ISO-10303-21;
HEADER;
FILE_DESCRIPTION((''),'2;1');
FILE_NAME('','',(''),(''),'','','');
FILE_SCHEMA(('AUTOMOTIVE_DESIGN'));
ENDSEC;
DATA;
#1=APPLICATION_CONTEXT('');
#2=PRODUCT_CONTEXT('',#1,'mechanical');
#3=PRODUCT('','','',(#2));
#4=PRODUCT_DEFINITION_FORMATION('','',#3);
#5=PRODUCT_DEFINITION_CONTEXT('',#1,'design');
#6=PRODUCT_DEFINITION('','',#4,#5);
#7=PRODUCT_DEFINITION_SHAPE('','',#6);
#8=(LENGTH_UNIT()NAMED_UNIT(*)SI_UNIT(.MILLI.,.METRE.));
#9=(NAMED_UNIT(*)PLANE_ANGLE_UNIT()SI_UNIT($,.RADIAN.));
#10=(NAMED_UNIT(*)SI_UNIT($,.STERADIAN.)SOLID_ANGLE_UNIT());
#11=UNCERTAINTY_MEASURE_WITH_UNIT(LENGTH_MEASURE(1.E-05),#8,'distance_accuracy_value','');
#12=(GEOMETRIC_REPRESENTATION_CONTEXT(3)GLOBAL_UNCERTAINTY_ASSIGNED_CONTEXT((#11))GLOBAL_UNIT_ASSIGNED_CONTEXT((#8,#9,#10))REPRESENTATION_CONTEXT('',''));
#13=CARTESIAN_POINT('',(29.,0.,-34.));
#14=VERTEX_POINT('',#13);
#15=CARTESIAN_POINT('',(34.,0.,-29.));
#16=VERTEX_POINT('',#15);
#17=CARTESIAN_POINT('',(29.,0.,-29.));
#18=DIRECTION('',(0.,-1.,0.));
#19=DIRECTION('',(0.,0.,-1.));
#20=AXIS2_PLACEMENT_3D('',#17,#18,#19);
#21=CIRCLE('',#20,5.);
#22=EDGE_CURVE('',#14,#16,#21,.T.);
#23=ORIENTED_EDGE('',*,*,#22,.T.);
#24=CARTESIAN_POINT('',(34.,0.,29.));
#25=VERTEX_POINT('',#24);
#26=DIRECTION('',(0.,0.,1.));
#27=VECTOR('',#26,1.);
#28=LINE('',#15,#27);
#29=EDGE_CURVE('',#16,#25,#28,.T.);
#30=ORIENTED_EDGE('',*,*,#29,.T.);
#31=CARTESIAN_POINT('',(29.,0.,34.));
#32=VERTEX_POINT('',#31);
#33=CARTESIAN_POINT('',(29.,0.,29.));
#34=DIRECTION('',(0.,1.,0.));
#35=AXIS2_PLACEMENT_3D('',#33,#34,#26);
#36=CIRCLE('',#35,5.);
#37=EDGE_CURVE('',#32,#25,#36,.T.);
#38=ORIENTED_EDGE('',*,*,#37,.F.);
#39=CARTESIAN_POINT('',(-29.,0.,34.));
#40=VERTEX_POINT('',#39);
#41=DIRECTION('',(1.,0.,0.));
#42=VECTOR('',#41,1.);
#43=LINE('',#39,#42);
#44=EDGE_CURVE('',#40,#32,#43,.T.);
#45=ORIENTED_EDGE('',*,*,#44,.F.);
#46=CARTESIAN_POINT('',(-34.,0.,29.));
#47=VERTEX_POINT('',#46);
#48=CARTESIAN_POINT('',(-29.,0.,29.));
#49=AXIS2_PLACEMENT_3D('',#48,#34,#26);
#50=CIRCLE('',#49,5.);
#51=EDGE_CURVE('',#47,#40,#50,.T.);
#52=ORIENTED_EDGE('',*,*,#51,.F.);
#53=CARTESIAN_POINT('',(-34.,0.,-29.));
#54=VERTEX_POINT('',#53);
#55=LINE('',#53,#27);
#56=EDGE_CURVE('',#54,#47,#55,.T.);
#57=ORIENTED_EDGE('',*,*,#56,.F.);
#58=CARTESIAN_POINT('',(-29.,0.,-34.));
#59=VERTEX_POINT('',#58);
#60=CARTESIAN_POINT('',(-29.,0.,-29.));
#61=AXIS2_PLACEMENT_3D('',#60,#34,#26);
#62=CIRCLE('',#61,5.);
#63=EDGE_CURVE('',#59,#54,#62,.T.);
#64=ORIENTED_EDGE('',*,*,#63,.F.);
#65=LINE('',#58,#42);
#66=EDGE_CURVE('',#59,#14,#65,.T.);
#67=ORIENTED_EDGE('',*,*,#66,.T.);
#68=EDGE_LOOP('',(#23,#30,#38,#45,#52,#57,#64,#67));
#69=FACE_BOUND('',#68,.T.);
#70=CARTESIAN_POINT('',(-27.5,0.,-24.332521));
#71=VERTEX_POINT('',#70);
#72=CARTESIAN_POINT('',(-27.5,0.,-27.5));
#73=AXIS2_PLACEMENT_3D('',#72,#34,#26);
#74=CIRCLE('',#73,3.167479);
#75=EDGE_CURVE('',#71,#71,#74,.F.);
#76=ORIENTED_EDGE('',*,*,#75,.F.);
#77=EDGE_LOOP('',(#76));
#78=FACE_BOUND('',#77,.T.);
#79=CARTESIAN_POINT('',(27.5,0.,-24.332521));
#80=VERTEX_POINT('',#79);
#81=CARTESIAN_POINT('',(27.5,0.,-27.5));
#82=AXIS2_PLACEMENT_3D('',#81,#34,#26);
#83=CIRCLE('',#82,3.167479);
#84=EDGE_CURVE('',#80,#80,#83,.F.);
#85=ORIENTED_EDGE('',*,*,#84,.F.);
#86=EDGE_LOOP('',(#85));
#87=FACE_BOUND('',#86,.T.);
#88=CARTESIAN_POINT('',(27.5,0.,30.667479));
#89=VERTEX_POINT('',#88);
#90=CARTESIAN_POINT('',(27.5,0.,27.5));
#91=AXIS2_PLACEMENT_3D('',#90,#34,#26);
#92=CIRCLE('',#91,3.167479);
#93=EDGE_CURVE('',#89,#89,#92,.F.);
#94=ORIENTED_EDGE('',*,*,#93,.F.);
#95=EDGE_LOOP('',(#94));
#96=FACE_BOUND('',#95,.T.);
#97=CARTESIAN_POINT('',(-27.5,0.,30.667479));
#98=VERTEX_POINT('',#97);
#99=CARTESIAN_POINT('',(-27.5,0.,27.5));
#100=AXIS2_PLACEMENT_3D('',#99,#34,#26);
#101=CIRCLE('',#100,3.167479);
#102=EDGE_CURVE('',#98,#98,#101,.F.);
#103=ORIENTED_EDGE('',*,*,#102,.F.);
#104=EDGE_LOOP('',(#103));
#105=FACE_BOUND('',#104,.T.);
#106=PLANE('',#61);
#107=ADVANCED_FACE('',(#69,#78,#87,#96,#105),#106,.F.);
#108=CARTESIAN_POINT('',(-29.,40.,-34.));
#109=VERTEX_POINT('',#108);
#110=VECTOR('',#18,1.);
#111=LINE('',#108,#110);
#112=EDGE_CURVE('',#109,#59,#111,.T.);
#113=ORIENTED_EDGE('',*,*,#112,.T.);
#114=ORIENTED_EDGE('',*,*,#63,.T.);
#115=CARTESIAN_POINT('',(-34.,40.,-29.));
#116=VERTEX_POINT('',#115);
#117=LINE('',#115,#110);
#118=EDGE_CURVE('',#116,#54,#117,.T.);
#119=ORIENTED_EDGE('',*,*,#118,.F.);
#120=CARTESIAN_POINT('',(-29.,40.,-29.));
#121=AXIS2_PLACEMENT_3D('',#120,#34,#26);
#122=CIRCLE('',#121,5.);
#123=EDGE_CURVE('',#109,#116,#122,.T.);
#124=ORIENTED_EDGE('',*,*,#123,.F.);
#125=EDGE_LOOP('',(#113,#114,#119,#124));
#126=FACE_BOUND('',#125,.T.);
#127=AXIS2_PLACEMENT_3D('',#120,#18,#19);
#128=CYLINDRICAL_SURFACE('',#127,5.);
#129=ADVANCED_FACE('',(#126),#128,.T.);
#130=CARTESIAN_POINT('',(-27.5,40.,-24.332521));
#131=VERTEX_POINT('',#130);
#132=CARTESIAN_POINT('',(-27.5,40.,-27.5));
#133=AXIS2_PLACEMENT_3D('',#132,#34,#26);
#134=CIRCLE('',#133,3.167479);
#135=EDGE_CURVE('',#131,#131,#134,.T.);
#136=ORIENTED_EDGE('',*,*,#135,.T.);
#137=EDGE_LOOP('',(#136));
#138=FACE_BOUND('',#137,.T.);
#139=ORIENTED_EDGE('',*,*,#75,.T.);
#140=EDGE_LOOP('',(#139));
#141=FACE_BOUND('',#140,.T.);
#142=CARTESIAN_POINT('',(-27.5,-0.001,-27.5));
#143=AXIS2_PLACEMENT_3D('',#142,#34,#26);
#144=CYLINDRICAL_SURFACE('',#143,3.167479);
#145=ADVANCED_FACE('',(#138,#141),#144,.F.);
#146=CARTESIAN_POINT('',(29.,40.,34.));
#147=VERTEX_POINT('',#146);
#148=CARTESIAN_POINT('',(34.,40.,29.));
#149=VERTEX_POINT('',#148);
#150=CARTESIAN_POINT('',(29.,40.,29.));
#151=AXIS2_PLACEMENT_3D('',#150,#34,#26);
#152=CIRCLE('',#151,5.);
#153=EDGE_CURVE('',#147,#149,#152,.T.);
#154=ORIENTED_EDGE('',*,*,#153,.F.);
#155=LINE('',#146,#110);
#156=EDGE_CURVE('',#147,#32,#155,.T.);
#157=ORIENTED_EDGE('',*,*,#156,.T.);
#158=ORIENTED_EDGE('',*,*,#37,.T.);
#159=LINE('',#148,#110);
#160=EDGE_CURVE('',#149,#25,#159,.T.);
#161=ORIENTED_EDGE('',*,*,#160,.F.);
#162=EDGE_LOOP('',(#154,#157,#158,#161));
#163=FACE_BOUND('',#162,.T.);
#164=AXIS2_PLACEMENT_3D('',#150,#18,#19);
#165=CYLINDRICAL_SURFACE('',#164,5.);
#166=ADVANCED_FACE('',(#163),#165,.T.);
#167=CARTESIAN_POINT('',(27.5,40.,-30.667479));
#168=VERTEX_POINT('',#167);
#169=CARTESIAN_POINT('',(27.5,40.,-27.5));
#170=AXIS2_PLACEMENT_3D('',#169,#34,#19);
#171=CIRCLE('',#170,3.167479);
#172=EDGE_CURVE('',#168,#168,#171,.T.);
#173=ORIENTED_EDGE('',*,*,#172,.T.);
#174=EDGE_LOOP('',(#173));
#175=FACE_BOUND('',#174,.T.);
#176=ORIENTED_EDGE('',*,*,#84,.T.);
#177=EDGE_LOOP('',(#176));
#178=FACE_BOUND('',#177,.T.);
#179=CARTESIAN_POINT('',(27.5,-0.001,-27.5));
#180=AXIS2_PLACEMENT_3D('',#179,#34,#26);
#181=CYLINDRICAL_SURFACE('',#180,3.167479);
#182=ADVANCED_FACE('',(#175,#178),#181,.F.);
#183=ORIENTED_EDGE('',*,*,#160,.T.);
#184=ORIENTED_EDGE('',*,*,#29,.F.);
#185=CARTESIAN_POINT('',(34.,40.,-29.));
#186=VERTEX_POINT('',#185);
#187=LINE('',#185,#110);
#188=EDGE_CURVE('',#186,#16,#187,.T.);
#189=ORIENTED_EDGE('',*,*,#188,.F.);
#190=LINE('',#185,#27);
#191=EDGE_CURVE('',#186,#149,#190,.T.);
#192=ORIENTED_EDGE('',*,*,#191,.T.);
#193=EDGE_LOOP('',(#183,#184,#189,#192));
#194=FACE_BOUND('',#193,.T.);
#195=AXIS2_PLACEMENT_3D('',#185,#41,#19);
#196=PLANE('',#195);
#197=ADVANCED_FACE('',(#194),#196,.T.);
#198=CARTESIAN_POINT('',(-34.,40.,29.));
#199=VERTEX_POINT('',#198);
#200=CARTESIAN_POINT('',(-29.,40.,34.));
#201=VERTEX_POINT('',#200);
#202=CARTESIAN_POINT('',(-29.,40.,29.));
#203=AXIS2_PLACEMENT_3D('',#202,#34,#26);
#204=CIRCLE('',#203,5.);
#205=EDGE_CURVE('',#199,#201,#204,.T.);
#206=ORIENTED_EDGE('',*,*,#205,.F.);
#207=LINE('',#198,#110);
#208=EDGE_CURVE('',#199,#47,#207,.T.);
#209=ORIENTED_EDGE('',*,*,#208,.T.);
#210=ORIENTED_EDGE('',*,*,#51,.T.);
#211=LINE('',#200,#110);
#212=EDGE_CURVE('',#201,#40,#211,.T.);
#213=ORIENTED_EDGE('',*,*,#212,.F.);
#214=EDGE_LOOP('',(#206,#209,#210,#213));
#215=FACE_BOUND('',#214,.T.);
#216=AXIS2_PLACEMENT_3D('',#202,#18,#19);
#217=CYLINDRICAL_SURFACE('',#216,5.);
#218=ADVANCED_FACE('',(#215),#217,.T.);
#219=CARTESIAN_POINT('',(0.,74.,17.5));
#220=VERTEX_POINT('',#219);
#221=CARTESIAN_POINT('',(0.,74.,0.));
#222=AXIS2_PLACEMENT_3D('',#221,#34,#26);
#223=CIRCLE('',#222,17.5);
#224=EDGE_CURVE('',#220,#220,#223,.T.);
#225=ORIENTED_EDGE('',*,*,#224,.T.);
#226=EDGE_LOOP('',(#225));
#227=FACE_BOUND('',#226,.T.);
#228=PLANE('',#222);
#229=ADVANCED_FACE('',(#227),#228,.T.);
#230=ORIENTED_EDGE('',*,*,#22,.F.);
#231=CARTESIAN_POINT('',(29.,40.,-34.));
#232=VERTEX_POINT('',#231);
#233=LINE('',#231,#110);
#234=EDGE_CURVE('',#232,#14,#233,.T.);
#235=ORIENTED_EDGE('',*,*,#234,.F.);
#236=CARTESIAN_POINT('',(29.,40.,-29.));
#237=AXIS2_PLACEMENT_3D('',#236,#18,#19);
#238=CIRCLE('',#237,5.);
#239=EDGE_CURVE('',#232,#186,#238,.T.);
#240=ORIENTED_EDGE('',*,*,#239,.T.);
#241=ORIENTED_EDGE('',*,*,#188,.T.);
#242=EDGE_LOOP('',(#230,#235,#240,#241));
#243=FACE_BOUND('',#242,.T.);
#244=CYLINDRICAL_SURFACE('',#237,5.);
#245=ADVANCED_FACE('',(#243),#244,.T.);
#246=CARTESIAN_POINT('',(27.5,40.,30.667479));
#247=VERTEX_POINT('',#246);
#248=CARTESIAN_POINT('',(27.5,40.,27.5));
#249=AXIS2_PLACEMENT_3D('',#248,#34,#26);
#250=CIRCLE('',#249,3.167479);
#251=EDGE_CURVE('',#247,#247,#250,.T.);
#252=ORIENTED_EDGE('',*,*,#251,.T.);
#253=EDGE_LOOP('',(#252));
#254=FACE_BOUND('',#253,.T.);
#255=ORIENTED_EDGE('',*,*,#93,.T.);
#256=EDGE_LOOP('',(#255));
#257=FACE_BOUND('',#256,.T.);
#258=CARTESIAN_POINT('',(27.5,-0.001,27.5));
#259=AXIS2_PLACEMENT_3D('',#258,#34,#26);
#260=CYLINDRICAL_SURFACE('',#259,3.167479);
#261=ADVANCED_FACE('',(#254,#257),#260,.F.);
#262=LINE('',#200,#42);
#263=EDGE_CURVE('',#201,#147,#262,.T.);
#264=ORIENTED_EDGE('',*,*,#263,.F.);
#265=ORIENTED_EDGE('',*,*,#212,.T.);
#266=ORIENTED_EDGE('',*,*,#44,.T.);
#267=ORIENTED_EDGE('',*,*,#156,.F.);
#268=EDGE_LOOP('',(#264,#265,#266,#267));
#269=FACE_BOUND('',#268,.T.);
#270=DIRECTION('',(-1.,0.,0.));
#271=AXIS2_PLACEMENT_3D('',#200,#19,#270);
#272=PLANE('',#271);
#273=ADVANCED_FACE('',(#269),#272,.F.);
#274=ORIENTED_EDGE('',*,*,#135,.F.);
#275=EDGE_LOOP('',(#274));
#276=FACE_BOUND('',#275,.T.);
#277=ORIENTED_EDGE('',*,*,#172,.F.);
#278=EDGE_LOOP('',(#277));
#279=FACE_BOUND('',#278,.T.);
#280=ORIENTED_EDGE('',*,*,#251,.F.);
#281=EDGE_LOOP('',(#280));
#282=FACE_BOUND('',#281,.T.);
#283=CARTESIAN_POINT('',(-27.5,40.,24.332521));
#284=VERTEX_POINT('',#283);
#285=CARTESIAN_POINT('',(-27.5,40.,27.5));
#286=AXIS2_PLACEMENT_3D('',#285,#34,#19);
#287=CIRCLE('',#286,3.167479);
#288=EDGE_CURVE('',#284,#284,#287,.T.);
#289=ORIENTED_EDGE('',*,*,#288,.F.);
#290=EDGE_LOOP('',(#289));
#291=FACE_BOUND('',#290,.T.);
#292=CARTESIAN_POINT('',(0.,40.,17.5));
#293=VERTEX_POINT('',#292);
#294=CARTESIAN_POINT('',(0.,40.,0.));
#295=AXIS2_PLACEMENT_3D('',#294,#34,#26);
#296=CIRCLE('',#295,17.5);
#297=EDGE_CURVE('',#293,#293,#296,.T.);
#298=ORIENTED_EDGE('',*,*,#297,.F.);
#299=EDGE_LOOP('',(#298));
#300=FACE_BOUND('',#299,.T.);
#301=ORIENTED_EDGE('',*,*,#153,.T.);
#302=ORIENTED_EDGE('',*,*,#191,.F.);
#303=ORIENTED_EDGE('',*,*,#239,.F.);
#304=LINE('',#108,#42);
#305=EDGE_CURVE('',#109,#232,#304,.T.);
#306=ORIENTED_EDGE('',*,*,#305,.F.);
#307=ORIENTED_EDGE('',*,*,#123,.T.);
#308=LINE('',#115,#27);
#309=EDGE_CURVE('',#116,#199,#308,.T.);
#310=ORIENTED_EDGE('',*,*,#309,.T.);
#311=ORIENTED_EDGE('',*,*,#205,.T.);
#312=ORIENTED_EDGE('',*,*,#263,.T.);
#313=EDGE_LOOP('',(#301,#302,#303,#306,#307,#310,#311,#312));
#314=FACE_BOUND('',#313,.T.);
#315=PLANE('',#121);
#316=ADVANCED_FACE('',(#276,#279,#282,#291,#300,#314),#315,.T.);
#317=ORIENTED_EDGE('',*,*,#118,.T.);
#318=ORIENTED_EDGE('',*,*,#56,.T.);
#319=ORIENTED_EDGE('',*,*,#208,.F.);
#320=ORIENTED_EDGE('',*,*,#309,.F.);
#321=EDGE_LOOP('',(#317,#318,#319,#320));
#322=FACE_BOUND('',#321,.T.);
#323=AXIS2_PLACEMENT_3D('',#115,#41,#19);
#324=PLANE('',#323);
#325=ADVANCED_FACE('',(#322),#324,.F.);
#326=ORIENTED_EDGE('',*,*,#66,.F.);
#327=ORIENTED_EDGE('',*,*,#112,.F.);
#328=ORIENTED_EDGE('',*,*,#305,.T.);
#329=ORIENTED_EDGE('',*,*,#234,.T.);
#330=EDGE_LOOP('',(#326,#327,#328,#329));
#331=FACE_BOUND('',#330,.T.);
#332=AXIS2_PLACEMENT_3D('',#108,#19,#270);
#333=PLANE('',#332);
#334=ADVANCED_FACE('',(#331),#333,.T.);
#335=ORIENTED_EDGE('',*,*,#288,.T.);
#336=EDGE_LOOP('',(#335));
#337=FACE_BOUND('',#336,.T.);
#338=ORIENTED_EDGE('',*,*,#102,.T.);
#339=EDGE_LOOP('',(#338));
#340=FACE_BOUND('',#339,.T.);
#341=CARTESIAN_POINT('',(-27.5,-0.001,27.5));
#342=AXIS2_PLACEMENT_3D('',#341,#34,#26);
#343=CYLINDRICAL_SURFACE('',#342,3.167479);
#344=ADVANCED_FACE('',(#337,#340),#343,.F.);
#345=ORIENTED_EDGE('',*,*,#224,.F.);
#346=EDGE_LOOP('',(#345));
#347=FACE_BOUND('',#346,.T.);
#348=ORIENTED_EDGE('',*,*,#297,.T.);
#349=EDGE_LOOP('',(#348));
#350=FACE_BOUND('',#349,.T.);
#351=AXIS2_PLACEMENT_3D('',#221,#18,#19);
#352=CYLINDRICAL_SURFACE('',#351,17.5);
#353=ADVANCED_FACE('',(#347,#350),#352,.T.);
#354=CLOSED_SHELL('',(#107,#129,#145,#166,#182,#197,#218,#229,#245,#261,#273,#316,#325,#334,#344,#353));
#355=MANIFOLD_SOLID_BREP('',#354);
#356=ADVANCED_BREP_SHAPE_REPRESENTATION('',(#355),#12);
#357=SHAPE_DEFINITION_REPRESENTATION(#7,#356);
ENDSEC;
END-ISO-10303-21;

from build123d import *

# Parameters (mm, degrees)
BOSS_EXTRUDE1_DEPTH = 40
SKETCH2_R           = 17.5
BOSS_EXTRUDE2_DEPTH = 34
CUT_EXTRUDE1_REACH  = 42
SKETCH3_R           = 3.167479455


with BuildPart() as part:
    # Sketch1 → Boss-Extrude1 (new body)
    with BuildSketch(Plane(origin=(0, 0, 0), x_dir=(1, 0, 0), z_dir=(0, 1, 0))):
        with BuildLine():
            Line((-29, 34), (29, 34))
            ThreePointArc((29, 34), (32.535533906, 32.535533906), (34, 29))
            Line((34, 29), (34, -29))
            ThreePointArc((34, -29), (32.535533906, -32.535533906), (29, -34))
            Line((29, -34), (-29, -34))
            ThreePointArc((-29, -34), (-32.535533906, -32.535533906), (-34, -29))
            Line((-34, -29), (-34, 29))
            ThreePointArc((-34, 29), (-32.535533906, 32.535533906), (-29, 34))
        make_face()
    extrude(amount=BOSS_EXTRUDE1_DEPTH)

    # Sketch2 → Boss-Extrude2 (add)
    with BuildSketch(Plane(origin=(0, 40, 0), x_dir=(1, 0, 0), z_dir=(0, 1, 0))):
        Circle(SKETCH2_R)
    extrude(amount=BOSS_EXTRUDE2_DEPTH)

    # Sketch3 → Cut-Extrude1 (cut, up to next)
    with BuildSketch(Plane(origin=(0, 40, 0), x_dir=(1, 0, 0), z_dir=(0, 1, 0)), mode=Mode.PRIVATE) as cut_extrude1_sk1:
        with Locations((-27.5, 27.5)):
            Circle(SKETCH3_R)
    cut_extrude1_tool1 = extrude(cut_extrude1_sk1.sketch, amount=-CUT_EXTRUDE1_REACH, mode=Mode.PRIVATE) & part.part
    add(cut_extrude1_tool1.solids().sort_by_distance((-27.5, 40, -27.5))[0], mode=Mode.SUBTRACT)
    # Sketch3 → Cut-Extrude1 (cut, up to next)
    with BuildSketch(Plane(origin=(0, 40, 0), x_dir=(1, 0, 0), z_dir=(0, 1, 0)), mode=Mode.PRIVATE) as cut_extrude1_sk2:
        with Locations((-27.5, -27.5)):
            Circle(SKETCH3_R)
    cut_extrude1_tool2 = extrude(cut_extrude1_sk2.sketch, amount=-CUT_EXTRUDE1_REACH, mode=Mode.PRIVATE) & part.part
    add(cut_extrude1_tool2.solids().sort_by_distance((-27.5, 40, 27.5))[0], mode=Mode.SUBTRACT)
    # Sketch3 → Cut-Extrude1 (cut, up to next)
    with BuildSketch(Plane(origin=(0, 40, 0), x_dir=(1, 0, 0), z_dir=(0, 1, 0)), mode=Mode.PRIVATE) as cut_extrude1_sk3:
        with Locations((27.5, -27.5)):
            Circle(SKETCH3_R)
    cut_extrude1_tool3 = extrude(cut_extrude1_sk3.sketch, amount=-CUT_EXTRUDE1_REACH, mode=Mode.PRIVATE) & part.part
    add(cut_extrude1_tool3.solids().sort_by_distance((27.5, 40, 27.5))[0], mode=Mode.SUBTRACT)
    # Sketch3 → Cut-Extrude1 (cut, up to next)
    with BuildSketch(Plane(origin=(0, 40, 0), x_dir=(1, 0, 0), z_dir=(0, 1, 0)), mode=Mode.PRIVATE) as cut_extrude1_sk4:
        with Locations((27.5, 27.5)):
            Circle(SKETCH3_R)
    cut_extrude1_tool4 = extrude(cut_extrude1_sk4.sketch, amount=-CUT_EXTRUDE1_REACH, mode=Mode.PRIVATE) & part.part
    add(cut_extrude1_tool4.solids().sort_by_distance((27.5, 40, -27.5))[0], mode=Mode.SUBTRACT)


solid = part.part
